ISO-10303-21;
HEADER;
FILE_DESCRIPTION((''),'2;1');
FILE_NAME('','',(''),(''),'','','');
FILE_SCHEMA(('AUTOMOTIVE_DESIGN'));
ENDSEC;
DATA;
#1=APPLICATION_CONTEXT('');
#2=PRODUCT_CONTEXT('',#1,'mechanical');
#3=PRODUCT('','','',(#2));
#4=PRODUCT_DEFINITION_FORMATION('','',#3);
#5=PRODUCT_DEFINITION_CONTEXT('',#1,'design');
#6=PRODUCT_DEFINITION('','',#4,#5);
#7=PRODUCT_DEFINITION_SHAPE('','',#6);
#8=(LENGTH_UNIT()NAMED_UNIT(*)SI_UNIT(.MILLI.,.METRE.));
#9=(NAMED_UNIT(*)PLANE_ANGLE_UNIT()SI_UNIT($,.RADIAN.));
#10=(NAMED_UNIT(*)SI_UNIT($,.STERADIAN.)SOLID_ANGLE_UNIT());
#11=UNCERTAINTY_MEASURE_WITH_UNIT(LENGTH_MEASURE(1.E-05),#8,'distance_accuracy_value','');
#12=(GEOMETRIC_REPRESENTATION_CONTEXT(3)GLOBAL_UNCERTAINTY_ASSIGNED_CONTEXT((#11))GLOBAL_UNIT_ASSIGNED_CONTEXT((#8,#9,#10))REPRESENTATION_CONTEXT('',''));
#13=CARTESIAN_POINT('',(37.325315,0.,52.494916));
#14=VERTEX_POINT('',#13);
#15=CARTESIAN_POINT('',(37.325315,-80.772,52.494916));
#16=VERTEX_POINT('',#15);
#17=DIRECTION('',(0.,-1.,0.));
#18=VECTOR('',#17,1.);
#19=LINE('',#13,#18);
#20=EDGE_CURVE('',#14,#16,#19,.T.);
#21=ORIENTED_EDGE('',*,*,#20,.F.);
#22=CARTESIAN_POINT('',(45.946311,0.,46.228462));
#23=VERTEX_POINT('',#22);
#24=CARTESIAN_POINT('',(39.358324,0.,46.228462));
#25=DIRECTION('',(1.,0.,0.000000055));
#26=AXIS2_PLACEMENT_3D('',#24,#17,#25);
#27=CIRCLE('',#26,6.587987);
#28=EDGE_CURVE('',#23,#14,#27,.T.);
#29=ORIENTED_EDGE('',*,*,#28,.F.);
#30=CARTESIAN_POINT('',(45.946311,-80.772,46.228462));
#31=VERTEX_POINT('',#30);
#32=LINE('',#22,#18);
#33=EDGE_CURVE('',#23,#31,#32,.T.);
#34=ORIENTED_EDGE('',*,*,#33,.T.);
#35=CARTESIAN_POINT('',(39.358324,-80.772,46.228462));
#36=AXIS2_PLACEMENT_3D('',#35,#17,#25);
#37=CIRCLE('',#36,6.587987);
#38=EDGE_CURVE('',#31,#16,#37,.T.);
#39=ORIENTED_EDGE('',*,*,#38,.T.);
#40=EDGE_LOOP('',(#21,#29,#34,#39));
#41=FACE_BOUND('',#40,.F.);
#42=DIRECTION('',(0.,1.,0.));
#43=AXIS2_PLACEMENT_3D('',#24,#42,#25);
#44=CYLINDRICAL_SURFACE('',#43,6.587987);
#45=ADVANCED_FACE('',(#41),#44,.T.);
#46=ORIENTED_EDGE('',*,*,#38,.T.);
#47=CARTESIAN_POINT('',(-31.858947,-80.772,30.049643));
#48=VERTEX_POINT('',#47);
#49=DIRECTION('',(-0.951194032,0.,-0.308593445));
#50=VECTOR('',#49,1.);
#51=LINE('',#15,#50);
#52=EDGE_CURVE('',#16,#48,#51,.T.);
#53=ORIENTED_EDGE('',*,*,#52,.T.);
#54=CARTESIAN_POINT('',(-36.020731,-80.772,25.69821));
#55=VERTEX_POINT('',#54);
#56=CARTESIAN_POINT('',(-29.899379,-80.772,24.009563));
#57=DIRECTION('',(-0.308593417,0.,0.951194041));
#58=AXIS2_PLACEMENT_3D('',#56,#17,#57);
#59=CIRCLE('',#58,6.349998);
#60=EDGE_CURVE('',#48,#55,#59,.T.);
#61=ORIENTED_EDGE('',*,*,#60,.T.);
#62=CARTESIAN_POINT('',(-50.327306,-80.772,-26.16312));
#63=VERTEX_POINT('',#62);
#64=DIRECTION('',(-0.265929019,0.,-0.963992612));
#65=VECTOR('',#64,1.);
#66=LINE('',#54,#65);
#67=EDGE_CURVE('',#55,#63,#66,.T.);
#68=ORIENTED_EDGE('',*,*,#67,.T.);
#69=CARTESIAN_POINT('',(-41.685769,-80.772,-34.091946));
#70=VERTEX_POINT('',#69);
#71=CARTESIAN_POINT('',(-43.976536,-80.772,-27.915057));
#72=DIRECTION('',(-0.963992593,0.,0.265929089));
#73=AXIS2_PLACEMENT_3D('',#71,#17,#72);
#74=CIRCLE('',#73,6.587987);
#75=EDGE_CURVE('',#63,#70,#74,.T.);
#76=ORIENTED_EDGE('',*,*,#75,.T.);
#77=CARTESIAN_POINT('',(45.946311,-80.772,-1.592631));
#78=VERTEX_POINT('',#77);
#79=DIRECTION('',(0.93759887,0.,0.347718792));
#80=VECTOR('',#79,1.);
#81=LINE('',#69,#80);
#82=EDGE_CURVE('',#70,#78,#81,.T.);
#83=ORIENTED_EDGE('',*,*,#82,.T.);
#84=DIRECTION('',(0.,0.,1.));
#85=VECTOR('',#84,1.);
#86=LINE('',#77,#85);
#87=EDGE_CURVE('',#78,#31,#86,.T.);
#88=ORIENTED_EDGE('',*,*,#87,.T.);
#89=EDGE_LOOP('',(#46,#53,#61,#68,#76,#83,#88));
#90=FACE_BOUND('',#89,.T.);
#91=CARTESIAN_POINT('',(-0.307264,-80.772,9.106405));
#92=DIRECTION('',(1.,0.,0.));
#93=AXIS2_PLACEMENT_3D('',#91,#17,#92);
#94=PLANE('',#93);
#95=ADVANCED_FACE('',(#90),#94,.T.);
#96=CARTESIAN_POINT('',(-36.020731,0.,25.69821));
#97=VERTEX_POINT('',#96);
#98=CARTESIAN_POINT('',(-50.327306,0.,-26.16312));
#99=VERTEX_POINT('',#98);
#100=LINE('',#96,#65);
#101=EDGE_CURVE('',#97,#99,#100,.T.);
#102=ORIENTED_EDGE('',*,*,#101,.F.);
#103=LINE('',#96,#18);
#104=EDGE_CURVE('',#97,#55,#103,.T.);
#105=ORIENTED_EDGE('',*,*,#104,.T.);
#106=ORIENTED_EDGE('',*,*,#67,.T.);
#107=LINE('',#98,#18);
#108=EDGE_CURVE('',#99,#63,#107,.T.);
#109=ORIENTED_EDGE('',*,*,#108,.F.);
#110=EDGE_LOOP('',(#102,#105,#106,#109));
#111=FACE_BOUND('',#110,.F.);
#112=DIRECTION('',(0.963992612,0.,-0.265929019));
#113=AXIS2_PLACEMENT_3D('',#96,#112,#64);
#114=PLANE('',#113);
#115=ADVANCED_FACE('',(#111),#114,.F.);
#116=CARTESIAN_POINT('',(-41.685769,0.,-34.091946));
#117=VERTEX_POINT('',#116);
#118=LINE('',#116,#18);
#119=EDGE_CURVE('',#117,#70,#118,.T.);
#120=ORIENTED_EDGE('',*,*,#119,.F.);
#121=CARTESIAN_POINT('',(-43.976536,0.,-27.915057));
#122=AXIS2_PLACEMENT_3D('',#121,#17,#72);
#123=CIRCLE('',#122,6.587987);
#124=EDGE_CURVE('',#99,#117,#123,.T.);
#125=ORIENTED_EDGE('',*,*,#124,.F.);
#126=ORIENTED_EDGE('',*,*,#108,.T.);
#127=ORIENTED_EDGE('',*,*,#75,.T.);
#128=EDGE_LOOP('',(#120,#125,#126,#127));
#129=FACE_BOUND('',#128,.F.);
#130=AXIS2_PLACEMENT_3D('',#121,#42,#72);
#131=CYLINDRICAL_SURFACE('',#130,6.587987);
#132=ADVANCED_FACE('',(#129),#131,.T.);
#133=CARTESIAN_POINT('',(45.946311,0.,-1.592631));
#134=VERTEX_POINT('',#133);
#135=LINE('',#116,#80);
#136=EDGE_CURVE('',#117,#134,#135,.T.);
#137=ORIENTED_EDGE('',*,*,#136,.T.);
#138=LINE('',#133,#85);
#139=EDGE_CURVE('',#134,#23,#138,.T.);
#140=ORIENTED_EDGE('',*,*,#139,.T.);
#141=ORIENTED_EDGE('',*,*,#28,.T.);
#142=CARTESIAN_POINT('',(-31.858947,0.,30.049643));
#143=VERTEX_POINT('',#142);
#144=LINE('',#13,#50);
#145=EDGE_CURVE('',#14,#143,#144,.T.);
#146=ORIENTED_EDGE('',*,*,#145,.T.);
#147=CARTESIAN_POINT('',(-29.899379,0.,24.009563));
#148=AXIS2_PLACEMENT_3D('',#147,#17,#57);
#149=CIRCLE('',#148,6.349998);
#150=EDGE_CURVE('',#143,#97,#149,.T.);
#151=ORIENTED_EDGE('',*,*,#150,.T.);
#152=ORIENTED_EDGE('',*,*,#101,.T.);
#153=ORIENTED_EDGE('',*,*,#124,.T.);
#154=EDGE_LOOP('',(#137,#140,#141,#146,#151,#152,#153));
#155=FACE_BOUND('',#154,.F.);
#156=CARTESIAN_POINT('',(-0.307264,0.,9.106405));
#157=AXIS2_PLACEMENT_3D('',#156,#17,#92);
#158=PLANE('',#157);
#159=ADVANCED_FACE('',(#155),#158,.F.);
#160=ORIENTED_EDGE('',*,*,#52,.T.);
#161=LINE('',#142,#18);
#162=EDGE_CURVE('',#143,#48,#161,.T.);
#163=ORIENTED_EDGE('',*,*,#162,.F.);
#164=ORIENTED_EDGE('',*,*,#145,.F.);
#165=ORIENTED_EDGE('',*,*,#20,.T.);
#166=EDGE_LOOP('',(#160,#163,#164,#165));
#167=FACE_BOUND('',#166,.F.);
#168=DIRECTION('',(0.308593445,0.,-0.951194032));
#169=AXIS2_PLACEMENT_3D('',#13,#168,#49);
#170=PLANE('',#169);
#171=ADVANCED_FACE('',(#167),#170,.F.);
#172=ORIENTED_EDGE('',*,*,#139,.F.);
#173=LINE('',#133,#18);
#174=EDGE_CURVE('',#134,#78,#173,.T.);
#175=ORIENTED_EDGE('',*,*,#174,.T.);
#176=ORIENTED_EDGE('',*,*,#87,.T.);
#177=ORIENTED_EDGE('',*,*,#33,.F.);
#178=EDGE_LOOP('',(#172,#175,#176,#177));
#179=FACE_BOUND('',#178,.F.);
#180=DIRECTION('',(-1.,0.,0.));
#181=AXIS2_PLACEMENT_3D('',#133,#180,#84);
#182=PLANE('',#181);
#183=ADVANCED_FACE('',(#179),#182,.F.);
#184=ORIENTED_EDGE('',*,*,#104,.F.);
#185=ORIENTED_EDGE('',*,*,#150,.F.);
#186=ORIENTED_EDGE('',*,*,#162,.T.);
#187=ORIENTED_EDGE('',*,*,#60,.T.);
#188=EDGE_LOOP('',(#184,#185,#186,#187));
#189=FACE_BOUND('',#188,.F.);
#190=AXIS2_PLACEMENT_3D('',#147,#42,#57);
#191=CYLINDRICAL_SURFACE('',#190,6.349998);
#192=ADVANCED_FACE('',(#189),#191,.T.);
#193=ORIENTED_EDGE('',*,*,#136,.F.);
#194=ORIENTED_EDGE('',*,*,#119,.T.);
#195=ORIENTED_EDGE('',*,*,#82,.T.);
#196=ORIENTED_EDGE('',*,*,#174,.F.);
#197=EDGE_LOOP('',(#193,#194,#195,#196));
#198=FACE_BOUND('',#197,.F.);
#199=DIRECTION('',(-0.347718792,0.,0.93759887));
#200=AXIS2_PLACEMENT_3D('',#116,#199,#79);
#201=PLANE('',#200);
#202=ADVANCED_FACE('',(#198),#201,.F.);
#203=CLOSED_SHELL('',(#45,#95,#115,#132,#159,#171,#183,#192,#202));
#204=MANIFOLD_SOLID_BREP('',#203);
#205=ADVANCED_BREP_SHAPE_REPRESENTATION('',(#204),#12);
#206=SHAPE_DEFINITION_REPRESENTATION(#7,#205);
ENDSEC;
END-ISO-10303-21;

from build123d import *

# Parameters (mm, degrees)
F1_DEPTH = 80.772


with BuildPart() as f1:
    # F0 (on Front) → F1 (new body)
    with BuildSketch(Plane.XZ):
        with BuildLine():
            ThreePointArc((-31.858947, 30.049643), (-34.488394, 28.398574), (-36.020731, 25.69821))
            Line((-36.020731, 25.69821), (-50.327306, -26.16312))
            ThreePointArc((-50.327306, -26.16312), (-48.430464, -32.769343), (-41.685769, -34.091946))
            Line((-41.685769, -34.091946), (45.946311, -1.592631))
            Line((45.946311, -1.592631), (45.946311, 46.228462))
            ThreePointArc((45.946311, 46.228462), (43.231832, 51.557393), (37.325315, 52.494916))
            Line((37.325315, 52.494916), (-31.858947, 30.049643))
        make_face()
    extrude(amount=F1_DEPTH)


solid = f1.part
